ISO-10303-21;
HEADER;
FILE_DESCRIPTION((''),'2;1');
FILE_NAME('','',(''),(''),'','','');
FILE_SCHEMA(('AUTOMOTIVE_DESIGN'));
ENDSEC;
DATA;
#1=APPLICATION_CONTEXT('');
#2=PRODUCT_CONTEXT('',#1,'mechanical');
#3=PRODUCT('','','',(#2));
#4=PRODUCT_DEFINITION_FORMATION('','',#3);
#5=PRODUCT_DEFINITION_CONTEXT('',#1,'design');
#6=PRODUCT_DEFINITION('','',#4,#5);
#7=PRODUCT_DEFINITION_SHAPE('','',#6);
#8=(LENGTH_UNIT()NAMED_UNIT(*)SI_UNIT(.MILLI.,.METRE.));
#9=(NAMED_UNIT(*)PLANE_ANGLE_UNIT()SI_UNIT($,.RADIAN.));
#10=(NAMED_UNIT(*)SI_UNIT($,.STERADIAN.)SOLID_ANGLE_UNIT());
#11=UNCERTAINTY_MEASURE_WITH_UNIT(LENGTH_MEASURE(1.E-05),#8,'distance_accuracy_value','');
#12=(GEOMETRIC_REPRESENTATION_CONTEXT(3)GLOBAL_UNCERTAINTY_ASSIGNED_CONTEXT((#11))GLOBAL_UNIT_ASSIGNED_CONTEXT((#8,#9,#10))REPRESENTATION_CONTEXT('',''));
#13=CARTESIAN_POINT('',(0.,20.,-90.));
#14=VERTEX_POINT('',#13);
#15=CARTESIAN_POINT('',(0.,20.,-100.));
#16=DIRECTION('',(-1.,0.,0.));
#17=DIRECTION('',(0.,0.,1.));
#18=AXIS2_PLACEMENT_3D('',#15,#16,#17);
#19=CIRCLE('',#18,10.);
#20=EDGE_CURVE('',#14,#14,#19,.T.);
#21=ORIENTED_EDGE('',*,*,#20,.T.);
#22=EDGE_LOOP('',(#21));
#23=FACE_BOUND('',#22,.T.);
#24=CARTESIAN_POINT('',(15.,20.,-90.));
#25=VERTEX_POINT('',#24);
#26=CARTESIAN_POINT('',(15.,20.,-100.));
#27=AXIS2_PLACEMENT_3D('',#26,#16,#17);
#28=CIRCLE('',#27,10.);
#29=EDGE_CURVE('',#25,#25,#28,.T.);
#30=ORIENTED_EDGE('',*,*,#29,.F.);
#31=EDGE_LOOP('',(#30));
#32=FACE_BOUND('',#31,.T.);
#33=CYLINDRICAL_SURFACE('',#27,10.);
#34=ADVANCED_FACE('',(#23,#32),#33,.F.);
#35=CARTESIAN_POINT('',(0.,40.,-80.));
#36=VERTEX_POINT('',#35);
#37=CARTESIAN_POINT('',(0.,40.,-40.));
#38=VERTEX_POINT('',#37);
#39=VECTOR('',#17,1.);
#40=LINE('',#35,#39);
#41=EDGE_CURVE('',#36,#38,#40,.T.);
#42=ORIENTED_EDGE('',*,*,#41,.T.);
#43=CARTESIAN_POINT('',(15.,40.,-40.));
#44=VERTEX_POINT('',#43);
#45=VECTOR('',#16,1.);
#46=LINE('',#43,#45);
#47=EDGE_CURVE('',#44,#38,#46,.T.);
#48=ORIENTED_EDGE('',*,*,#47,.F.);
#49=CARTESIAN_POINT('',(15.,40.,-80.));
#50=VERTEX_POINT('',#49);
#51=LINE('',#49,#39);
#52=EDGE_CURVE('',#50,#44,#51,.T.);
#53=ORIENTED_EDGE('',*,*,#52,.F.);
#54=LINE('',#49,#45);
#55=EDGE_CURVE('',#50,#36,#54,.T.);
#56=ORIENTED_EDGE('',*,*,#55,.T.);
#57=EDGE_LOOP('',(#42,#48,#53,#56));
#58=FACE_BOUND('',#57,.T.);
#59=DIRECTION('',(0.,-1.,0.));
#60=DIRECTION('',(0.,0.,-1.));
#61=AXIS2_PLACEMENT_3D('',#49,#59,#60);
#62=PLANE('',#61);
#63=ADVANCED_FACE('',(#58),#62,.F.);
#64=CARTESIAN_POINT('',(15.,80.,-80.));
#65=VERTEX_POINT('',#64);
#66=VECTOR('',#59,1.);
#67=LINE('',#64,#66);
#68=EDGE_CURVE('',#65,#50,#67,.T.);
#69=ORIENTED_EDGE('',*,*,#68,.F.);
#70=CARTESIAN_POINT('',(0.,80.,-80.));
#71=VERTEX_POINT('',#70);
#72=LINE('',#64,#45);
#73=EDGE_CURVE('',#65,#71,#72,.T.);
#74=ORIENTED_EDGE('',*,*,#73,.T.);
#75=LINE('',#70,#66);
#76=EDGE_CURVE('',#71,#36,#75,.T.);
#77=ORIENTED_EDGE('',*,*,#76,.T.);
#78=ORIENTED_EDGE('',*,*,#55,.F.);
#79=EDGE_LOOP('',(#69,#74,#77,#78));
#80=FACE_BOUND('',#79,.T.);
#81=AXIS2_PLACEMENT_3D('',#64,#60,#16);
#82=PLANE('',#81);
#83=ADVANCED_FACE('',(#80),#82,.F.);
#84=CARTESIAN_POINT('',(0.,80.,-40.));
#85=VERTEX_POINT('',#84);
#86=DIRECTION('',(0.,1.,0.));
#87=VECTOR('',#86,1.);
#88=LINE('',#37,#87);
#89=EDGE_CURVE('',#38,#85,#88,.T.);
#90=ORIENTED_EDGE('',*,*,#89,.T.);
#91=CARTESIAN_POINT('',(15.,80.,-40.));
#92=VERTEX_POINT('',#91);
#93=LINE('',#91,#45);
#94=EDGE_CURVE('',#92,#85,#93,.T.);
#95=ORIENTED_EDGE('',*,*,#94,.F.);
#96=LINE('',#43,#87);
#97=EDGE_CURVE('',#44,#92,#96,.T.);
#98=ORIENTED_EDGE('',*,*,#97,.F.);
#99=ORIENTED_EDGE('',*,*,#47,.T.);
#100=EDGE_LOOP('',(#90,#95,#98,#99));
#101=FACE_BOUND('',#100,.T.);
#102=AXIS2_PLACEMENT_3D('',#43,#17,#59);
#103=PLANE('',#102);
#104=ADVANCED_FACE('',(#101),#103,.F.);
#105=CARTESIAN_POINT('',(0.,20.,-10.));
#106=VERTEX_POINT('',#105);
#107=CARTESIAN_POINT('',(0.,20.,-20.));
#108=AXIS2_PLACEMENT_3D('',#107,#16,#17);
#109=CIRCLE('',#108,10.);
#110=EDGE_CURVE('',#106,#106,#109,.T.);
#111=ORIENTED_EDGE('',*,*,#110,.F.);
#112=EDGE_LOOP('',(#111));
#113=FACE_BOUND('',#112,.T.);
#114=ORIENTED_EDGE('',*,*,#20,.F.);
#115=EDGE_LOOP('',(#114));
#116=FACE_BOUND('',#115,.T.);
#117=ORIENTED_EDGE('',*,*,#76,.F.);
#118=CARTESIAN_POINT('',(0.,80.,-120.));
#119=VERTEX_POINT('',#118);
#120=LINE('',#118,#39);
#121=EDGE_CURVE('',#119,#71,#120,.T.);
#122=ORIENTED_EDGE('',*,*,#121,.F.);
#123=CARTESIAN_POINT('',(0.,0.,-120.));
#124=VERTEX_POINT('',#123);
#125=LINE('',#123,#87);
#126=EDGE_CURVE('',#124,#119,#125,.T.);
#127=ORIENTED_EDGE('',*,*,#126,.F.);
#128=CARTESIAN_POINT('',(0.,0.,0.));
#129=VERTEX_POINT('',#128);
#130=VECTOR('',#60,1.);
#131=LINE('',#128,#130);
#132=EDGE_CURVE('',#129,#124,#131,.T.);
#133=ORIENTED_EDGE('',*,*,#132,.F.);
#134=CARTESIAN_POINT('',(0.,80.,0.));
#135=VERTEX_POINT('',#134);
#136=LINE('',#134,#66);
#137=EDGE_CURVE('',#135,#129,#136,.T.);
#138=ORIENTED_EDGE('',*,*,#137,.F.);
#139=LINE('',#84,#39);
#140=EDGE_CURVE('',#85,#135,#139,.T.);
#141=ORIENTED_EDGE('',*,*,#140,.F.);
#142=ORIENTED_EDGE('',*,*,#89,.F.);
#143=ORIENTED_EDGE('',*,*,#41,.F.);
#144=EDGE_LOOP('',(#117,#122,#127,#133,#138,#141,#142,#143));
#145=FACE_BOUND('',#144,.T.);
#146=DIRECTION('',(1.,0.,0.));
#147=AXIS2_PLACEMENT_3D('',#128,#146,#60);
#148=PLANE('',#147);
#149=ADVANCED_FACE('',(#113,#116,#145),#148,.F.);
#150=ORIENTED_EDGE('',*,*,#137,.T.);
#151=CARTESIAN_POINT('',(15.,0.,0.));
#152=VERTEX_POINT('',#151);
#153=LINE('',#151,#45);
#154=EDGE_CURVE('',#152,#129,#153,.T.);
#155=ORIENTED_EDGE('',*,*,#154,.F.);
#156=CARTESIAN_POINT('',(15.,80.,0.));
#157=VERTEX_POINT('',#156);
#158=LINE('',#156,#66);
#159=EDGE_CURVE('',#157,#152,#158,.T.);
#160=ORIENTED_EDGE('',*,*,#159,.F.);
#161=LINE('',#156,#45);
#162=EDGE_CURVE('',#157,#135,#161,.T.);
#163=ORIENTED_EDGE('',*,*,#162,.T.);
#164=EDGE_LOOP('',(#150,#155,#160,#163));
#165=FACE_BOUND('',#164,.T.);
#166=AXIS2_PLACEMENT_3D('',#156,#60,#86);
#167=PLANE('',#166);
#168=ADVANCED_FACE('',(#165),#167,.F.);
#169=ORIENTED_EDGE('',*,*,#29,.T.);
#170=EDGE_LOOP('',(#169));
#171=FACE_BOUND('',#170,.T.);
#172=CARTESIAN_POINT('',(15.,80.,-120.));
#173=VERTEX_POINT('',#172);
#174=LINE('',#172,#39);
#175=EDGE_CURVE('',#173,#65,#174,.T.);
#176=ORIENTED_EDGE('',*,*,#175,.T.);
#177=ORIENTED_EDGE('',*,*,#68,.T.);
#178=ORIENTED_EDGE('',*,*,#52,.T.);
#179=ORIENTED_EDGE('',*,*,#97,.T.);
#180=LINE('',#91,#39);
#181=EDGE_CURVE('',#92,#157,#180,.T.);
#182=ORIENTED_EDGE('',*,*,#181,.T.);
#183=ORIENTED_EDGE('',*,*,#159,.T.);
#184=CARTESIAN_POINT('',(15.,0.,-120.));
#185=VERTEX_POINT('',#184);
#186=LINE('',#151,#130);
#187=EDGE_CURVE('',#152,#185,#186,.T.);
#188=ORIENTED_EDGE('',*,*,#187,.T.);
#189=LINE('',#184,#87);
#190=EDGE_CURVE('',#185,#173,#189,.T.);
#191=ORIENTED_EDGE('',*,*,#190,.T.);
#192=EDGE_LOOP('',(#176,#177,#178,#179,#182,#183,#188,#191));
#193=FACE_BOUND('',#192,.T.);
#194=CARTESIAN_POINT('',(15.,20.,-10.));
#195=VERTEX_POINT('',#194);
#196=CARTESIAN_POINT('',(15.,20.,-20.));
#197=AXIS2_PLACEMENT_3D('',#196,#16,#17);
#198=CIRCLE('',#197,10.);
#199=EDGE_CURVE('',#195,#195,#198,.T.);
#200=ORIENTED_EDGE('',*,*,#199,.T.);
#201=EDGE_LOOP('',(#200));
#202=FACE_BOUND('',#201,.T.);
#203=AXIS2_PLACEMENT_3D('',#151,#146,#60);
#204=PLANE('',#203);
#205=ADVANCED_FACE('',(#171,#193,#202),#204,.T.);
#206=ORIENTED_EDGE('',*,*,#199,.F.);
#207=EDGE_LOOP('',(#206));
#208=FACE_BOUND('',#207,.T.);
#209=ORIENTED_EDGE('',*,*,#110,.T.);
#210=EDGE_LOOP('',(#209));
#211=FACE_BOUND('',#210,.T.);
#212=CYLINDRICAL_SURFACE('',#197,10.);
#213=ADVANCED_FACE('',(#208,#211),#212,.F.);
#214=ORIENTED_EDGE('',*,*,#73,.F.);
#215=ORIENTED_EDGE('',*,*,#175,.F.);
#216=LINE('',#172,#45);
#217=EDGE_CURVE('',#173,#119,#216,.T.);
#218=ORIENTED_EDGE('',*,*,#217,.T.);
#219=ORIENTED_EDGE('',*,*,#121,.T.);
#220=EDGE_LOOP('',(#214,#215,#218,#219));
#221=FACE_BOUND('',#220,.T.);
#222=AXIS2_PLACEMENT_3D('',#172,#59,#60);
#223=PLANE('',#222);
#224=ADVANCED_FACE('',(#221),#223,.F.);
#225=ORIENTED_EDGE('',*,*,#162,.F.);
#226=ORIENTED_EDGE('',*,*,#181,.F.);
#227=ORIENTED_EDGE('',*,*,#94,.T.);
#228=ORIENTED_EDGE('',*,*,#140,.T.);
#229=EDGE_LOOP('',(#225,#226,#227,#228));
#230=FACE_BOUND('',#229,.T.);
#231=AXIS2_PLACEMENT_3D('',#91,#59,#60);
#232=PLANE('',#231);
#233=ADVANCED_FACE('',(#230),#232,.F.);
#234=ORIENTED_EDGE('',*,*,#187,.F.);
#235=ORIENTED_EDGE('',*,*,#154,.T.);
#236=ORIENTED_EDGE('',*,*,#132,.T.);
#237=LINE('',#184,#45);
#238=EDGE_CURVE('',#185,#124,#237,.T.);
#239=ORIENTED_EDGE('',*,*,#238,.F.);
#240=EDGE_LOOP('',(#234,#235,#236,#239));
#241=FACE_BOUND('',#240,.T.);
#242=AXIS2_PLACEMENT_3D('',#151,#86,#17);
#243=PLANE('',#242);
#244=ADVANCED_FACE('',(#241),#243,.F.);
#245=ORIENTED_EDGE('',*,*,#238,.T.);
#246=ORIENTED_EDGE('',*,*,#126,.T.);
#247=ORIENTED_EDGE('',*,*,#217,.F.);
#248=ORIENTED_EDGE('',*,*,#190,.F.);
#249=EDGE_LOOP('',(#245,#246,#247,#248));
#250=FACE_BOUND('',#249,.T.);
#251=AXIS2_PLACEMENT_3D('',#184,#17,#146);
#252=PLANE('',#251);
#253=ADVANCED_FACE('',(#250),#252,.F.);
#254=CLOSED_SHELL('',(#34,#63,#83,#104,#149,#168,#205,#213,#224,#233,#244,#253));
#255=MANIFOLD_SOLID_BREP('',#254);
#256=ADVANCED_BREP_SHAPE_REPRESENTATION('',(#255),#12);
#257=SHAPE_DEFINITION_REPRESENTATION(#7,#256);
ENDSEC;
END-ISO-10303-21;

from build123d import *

# Parameters (mm, degrees)
BOSS_EXTRUDE1_DEPTH = 15
SKETCH5_R           = 10
CUT_EXTRUDE1_DEPTH  = 15


with BuildPart() as part:
    # Sketch3 → Boss-Extrude1 (new body)
    with BuildSketch(Plane(origin=(0, 0, 0), x_dir=(0, 0, -1), z_dir=(1, 0, 0))):
        Polygon((0, 0), (120, 0), (120, 80), (80, 80), (80, 40), (40, 40), (40, 80), (0, 80), align=None)
    extrude(amount=BOSS_EXTRUDE1_DEPTH)

    # Sketch5 → Cut-Extrude1 (cut)
    with BuildSketch(Plane.ZY):
        with Locations((-100, 20)):
            Circle(SKETCH5_R)
        with Locations((-20, 20)):
            Circle(SKETCH5_R)
    extrude(amount=-CUT_EXTRUDE1_DEPTH, mode=Mode.SUBTRACT)


solid = part.part
